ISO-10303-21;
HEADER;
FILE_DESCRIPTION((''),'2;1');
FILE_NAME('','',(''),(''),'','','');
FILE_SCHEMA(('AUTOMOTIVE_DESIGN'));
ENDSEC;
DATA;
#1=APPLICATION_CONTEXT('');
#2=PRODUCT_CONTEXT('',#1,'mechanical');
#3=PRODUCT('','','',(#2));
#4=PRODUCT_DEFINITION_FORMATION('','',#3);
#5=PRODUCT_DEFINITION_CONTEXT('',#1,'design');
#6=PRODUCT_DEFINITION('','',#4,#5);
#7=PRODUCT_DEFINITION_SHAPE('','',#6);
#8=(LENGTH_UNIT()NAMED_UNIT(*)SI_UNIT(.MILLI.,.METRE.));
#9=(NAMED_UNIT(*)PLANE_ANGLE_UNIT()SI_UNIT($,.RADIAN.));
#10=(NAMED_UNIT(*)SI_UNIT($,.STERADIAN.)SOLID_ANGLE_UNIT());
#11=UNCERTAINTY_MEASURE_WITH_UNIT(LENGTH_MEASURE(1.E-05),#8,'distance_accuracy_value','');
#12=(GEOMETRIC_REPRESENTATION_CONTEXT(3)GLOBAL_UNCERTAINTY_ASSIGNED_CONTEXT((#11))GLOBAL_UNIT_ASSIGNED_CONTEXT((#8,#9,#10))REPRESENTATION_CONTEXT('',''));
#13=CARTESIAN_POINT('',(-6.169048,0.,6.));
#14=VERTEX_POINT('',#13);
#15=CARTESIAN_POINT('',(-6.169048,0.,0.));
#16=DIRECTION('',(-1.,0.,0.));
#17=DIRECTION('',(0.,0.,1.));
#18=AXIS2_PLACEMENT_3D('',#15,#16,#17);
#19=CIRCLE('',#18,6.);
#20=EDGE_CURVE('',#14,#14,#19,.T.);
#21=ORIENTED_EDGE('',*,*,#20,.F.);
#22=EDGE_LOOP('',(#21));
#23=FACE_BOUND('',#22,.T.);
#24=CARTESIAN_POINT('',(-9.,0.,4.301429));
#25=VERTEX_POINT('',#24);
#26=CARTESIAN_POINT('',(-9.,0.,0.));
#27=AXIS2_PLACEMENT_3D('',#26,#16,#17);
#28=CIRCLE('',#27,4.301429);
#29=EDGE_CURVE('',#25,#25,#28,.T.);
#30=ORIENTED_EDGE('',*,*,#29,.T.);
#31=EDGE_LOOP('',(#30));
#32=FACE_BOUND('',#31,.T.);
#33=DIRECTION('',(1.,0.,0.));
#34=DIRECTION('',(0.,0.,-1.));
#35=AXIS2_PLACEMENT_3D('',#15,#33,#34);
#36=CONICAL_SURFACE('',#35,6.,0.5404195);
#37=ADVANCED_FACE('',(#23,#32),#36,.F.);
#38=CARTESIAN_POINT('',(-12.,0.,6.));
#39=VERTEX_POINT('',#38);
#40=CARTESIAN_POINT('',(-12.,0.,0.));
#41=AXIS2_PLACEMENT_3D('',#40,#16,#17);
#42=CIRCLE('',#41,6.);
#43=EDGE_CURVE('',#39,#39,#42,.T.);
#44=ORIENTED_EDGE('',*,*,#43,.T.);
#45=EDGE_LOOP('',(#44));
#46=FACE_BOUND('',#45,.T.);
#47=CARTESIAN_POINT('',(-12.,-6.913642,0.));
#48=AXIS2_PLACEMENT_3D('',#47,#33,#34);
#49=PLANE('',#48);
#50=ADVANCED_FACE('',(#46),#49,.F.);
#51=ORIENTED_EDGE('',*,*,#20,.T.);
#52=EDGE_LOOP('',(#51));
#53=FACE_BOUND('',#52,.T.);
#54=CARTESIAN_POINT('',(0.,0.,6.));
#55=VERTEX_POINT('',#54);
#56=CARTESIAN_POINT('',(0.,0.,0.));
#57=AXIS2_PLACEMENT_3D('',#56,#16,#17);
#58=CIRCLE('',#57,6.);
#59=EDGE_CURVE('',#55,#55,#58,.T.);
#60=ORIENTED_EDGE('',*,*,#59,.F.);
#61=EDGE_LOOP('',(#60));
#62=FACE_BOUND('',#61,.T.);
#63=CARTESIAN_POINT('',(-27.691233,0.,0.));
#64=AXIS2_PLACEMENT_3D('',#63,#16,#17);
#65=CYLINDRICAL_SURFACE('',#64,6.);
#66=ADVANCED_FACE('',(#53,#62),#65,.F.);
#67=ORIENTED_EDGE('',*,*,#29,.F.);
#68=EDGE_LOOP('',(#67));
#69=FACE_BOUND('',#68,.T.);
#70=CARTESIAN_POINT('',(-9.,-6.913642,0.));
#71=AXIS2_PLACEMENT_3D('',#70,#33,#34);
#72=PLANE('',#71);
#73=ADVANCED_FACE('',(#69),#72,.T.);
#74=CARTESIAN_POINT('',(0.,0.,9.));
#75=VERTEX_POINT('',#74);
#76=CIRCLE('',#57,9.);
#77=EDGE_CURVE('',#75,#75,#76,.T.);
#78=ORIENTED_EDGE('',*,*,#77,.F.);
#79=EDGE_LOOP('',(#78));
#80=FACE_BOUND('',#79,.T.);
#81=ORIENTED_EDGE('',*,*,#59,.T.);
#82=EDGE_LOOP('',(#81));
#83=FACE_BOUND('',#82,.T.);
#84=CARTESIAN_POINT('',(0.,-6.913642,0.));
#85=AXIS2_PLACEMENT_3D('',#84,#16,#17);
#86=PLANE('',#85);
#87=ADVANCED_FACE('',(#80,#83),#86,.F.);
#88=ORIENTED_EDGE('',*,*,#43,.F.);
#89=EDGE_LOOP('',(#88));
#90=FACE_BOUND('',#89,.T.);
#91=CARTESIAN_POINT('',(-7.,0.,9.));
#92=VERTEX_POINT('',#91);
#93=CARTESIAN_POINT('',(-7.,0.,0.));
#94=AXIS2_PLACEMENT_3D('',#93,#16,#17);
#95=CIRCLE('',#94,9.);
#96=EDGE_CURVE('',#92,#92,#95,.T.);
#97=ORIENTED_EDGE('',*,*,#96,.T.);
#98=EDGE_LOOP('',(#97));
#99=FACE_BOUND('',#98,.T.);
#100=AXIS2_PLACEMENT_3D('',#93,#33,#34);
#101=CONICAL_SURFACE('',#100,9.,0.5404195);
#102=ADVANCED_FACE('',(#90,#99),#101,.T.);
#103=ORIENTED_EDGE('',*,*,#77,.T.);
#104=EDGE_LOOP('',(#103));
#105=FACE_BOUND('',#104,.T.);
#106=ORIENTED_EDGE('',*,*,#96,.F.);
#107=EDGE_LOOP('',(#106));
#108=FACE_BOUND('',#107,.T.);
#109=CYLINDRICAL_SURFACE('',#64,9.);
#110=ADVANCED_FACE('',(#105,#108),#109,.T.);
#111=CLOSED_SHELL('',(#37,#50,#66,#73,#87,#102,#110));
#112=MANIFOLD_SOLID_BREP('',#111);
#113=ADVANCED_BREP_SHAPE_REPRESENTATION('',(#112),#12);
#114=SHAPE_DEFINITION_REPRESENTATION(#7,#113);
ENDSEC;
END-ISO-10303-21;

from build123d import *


with BuildPart() as part:
    # 草图1 → 旋转1 (revolve)
    with BuildSketch(Plane.XY, mode=Mode.PRIVATE) as revolve_1_sk:
        Polygon((-9, 4.301428863), (-9, 0), (-12, 0), (-12, 6), (-7, 9), (0, 9), (0, 6), (-6.169048105, 6), align=None)
    revolve(revolve_1_sk.sketch.rotate(Axis((-27.691233179, 0, 0), (1, 0, 0)), 90), axis=Axis((-27.691233179, 0, 0), (1, 0, 0)))


solid = part.part
